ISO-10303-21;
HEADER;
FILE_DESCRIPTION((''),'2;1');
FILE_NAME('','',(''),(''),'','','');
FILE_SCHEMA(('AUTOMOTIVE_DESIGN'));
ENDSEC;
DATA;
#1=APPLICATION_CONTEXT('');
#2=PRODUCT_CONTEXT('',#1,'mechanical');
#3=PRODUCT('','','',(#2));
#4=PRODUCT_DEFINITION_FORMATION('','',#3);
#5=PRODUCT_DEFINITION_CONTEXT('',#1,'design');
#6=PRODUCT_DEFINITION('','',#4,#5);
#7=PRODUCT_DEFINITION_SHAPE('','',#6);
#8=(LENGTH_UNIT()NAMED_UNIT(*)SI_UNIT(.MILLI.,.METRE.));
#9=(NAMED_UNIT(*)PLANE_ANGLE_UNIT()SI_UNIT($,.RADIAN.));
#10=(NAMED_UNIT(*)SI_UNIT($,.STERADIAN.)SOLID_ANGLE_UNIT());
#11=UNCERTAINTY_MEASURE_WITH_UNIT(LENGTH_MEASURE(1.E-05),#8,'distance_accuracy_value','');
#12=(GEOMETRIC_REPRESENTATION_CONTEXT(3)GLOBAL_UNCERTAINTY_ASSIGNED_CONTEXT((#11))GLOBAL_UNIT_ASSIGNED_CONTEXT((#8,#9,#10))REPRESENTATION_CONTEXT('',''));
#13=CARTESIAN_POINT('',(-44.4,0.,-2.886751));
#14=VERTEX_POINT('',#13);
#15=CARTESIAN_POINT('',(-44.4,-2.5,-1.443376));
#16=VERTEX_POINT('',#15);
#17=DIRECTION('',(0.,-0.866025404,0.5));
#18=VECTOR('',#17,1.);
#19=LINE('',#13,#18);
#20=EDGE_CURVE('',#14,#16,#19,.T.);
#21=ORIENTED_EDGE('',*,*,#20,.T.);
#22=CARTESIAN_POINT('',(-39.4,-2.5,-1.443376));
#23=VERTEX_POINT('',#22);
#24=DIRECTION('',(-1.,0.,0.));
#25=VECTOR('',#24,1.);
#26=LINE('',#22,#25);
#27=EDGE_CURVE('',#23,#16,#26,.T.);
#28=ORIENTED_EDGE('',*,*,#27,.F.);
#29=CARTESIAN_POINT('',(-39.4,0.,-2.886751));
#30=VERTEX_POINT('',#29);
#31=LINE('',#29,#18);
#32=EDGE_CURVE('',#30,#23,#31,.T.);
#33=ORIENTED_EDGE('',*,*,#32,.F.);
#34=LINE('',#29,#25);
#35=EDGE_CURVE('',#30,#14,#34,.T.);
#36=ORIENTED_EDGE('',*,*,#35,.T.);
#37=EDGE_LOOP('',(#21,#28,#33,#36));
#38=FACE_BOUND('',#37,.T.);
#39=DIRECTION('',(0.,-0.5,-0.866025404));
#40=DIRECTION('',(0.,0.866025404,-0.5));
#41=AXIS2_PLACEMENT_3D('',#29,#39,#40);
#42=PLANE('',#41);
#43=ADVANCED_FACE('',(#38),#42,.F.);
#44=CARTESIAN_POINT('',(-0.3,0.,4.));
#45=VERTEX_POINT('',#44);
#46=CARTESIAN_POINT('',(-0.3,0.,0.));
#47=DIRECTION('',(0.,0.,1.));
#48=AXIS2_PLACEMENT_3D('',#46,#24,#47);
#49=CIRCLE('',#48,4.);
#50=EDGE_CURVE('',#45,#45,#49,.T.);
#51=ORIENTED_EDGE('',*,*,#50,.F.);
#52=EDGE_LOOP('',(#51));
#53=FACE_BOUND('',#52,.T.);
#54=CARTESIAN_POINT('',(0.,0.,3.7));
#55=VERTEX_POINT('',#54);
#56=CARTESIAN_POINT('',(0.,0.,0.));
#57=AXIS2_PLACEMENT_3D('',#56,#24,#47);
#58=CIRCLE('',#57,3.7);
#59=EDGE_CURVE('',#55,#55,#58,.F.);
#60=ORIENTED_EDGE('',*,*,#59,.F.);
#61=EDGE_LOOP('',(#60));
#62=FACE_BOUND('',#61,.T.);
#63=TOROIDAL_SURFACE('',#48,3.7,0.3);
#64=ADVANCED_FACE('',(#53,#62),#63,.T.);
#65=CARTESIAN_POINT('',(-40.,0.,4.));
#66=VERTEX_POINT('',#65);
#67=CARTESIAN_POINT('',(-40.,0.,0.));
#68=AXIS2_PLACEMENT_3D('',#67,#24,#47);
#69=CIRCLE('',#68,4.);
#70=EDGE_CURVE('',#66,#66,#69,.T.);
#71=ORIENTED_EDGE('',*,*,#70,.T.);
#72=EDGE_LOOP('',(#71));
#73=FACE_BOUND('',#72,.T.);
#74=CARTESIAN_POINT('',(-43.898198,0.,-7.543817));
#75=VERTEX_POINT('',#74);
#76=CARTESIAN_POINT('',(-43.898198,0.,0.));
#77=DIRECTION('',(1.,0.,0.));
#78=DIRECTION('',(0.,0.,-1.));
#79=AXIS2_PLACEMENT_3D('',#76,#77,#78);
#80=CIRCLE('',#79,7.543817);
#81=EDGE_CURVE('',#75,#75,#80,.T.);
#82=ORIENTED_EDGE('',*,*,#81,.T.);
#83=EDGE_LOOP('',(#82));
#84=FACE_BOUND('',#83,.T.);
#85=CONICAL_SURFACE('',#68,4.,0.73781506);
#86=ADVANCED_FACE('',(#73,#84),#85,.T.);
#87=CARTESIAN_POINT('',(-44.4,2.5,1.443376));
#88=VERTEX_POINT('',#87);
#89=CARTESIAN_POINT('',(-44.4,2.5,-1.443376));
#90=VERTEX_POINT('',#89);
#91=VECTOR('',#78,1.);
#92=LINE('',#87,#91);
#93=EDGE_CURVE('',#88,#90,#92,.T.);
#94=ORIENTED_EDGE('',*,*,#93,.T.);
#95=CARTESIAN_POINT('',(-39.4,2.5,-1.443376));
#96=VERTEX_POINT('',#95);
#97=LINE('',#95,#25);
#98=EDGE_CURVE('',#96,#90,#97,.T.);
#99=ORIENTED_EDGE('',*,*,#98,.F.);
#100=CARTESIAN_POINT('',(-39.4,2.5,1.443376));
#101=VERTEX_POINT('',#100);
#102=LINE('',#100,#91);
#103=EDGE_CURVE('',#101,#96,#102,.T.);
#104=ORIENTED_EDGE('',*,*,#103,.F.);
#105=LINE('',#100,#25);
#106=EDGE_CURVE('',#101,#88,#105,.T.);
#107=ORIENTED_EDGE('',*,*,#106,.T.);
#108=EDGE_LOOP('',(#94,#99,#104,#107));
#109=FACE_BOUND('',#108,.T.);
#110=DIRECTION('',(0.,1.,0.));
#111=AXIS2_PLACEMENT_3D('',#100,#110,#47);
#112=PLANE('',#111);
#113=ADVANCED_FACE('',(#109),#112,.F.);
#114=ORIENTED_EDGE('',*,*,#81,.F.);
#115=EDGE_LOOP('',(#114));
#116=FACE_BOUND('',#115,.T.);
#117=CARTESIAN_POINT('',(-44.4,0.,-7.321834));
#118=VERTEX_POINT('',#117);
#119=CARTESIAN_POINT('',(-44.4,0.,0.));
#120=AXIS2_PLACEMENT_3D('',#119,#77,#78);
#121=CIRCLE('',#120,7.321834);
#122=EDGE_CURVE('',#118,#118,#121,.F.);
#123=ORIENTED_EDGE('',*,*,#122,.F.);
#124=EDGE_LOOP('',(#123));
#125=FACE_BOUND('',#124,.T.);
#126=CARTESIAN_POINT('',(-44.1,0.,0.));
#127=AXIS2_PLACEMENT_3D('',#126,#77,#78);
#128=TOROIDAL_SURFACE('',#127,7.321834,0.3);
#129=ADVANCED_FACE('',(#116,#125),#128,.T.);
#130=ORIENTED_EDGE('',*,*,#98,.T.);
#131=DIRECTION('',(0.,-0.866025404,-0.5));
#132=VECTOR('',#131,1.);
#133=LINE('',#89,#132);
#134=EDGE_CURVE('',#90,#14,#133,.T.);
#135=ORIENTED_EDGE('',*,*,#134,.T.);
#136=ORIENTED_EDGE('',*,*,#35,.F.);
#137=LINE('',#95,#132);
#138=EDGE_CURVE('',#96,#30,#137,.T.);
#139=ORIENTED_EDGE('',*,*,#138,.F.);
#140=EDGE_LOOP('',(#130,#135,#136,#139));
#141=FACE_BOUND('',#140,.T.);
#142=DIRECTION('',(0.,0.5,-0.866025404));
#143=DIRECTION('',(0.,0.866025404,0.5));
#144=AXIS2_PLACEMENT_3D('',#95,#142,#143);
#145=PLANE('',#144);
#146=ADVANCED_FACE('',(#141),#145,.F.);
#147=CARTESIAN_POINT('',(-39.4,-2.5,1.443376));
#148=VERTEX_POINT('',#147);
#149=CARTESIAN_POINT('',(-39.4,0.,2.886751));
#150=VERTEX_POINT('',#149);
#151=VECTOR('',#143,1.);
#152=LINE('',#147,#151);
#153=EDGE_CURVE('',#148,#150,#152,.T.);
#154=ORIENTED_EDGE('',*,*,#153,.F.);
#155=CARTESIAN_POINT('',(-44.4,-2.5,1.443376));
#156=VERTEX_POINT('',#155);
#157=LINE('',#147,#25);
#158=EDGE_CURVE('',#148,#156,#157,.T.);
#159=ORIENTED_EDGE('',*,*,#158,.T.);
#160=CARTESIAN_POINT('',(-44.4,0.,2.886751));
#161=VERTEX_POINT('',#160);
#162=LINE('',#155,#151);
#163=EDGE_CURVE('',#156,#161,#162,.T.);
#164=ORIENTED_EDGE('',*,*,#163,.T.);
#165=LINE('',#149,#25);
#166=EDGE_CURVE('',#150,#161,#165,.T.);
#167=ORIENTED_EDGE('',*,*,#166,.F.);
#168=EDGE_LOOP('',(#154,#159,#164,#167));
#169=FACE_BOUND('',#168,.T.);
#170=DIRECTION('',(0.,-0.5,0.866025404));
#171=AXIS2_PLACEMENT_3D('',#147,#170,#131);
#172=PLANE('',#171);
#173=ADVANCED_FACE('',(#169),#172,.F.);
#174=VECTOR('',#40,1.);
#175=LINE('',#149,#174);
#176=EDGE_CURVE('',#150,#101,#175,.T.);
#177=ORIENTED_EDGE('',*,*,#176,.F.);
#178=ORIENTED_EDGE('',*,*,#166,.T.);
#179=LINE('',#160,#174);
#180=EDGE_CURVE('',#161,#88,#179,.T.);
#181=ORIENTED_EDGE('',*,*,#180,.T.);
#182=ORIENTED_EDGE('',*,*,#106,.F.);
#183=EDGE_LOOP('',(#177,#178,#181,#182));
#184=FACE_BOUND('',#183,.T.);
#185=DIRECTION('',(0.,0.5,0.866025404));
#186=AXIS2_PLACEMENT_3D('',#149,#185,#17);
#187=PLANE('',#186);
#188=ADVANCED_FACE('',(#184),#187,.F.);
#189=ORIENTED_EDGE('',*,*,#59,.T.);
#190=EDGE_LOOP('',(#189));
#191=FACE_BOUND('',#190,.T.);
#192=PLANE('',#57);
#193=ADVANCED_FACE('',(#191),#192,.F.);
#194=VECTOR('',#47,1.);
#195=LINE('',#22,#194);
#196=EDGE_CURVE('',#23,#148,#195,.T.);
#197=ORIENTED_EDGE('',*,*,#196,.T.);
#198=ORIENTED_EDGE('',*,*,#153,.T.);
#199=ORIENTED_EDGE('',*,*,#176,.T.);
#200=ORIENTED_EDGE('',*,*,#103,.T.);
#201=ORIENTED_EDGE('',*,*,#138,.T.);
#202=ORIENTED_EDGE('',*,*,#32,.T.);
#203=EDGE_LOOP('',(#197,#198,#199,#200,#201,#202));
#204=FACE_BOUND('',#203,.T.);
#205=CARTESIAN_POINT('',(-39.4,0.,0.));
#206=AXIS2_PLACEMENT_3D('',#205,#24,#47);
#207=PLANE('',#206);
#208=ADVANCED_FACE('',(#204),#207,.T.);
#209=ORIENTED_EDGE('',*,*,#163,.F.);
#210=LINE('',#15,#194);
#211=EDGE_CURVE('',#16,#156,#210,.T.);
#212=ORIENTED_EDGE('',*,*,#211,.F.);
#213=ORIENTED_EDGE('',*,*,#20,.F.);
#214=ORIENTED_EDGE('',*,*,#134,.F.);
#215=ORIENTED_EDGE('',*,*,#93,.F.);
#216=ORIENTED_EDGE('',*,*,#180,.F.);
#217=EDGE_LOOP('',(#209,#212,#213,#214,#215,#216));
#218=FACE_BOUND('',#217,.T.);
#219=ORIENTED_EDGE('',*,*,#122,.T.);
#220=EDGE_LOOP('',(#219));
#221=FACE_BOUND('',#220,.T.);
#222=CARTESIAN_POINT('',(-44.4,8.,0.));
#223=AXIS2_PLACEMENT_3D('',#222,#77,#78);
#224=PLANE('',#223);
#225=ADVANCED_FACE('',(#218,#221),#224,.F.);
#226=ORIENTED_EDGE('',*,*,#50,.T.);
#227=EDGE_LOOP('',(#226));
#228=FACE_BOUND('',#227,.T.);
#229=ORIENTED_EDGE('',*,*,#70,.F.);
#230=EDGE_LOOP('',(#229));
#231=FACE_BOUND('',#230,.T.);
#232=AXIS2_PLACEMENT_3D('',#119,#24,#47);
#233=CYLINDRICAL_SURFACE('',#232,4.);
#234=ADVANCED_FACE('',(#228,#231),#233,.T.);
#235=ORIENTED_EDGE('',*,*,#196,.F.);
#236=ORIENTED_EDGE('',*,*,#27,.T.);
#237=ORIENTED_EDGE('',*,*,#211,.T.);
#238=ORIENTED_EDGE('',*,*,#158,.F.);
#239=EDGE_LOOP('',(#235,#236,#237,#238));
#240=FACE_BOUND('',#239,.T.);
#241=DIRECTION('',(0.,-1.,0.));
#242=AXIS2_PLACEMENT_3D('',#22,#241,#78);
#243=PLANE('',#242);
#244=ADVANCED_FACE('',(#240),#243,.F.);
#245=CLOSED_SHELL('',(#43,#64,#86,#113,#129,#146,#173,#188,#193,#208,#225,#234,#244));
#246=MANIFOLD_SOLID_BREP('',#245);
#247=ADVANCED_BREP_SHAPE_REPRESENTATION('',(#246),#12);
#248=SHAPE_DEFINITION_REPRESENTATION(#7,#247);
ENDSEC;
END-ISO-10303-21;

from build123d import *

# Parameters (mm, degrees)
KES_EKSTR_ZYON1_DEPTH = 5
RADYUS2_R             = 0.3


with BuildPart() as part:
    # Çizim1 → Döndür1 (revolve)
    with BuildSketch(Plane.XY, mode=Mode.PRIVATE) as d_nd_r1_sk:
        Polygon((0, 0), (0, 4), (-40, 4), (-44.4, 8), (-44.4, 0), align=None)
    revolve(d_nd_r1_sk.sketch.rotate(Axis((-44.4, 0, 0), (1, 0, 0)), 90), axis=Axis((-44.4, 0, 0), (1, 0, 0)))

    # Çizim2 → Kes-Ekstrüzyon1 (cut)
    with BuildSketch(Plane.ZY.offset(44.4)):
        Polygon((2.886751346, 0), (1.443375673, 2.5), (-1.443375673, 2.5), (-2.886751346, 0), (-1.443375673, -2.5), (1.443375673, -2.5), align=None)
    extrude(amount=-KES_EKSTR_ZYON1_DEPTH, mode=Mode.SUBTRACT)

    # Radyus2
    radyus2_edges = [part.edges().sort_by_distance(p)[0] for p in [
        (-44.4, 0, -8),
        (0, 0, -4),
    ]]
    fillet(radyus2_edges, radius=RADYUS2_R)


solid = part.part
